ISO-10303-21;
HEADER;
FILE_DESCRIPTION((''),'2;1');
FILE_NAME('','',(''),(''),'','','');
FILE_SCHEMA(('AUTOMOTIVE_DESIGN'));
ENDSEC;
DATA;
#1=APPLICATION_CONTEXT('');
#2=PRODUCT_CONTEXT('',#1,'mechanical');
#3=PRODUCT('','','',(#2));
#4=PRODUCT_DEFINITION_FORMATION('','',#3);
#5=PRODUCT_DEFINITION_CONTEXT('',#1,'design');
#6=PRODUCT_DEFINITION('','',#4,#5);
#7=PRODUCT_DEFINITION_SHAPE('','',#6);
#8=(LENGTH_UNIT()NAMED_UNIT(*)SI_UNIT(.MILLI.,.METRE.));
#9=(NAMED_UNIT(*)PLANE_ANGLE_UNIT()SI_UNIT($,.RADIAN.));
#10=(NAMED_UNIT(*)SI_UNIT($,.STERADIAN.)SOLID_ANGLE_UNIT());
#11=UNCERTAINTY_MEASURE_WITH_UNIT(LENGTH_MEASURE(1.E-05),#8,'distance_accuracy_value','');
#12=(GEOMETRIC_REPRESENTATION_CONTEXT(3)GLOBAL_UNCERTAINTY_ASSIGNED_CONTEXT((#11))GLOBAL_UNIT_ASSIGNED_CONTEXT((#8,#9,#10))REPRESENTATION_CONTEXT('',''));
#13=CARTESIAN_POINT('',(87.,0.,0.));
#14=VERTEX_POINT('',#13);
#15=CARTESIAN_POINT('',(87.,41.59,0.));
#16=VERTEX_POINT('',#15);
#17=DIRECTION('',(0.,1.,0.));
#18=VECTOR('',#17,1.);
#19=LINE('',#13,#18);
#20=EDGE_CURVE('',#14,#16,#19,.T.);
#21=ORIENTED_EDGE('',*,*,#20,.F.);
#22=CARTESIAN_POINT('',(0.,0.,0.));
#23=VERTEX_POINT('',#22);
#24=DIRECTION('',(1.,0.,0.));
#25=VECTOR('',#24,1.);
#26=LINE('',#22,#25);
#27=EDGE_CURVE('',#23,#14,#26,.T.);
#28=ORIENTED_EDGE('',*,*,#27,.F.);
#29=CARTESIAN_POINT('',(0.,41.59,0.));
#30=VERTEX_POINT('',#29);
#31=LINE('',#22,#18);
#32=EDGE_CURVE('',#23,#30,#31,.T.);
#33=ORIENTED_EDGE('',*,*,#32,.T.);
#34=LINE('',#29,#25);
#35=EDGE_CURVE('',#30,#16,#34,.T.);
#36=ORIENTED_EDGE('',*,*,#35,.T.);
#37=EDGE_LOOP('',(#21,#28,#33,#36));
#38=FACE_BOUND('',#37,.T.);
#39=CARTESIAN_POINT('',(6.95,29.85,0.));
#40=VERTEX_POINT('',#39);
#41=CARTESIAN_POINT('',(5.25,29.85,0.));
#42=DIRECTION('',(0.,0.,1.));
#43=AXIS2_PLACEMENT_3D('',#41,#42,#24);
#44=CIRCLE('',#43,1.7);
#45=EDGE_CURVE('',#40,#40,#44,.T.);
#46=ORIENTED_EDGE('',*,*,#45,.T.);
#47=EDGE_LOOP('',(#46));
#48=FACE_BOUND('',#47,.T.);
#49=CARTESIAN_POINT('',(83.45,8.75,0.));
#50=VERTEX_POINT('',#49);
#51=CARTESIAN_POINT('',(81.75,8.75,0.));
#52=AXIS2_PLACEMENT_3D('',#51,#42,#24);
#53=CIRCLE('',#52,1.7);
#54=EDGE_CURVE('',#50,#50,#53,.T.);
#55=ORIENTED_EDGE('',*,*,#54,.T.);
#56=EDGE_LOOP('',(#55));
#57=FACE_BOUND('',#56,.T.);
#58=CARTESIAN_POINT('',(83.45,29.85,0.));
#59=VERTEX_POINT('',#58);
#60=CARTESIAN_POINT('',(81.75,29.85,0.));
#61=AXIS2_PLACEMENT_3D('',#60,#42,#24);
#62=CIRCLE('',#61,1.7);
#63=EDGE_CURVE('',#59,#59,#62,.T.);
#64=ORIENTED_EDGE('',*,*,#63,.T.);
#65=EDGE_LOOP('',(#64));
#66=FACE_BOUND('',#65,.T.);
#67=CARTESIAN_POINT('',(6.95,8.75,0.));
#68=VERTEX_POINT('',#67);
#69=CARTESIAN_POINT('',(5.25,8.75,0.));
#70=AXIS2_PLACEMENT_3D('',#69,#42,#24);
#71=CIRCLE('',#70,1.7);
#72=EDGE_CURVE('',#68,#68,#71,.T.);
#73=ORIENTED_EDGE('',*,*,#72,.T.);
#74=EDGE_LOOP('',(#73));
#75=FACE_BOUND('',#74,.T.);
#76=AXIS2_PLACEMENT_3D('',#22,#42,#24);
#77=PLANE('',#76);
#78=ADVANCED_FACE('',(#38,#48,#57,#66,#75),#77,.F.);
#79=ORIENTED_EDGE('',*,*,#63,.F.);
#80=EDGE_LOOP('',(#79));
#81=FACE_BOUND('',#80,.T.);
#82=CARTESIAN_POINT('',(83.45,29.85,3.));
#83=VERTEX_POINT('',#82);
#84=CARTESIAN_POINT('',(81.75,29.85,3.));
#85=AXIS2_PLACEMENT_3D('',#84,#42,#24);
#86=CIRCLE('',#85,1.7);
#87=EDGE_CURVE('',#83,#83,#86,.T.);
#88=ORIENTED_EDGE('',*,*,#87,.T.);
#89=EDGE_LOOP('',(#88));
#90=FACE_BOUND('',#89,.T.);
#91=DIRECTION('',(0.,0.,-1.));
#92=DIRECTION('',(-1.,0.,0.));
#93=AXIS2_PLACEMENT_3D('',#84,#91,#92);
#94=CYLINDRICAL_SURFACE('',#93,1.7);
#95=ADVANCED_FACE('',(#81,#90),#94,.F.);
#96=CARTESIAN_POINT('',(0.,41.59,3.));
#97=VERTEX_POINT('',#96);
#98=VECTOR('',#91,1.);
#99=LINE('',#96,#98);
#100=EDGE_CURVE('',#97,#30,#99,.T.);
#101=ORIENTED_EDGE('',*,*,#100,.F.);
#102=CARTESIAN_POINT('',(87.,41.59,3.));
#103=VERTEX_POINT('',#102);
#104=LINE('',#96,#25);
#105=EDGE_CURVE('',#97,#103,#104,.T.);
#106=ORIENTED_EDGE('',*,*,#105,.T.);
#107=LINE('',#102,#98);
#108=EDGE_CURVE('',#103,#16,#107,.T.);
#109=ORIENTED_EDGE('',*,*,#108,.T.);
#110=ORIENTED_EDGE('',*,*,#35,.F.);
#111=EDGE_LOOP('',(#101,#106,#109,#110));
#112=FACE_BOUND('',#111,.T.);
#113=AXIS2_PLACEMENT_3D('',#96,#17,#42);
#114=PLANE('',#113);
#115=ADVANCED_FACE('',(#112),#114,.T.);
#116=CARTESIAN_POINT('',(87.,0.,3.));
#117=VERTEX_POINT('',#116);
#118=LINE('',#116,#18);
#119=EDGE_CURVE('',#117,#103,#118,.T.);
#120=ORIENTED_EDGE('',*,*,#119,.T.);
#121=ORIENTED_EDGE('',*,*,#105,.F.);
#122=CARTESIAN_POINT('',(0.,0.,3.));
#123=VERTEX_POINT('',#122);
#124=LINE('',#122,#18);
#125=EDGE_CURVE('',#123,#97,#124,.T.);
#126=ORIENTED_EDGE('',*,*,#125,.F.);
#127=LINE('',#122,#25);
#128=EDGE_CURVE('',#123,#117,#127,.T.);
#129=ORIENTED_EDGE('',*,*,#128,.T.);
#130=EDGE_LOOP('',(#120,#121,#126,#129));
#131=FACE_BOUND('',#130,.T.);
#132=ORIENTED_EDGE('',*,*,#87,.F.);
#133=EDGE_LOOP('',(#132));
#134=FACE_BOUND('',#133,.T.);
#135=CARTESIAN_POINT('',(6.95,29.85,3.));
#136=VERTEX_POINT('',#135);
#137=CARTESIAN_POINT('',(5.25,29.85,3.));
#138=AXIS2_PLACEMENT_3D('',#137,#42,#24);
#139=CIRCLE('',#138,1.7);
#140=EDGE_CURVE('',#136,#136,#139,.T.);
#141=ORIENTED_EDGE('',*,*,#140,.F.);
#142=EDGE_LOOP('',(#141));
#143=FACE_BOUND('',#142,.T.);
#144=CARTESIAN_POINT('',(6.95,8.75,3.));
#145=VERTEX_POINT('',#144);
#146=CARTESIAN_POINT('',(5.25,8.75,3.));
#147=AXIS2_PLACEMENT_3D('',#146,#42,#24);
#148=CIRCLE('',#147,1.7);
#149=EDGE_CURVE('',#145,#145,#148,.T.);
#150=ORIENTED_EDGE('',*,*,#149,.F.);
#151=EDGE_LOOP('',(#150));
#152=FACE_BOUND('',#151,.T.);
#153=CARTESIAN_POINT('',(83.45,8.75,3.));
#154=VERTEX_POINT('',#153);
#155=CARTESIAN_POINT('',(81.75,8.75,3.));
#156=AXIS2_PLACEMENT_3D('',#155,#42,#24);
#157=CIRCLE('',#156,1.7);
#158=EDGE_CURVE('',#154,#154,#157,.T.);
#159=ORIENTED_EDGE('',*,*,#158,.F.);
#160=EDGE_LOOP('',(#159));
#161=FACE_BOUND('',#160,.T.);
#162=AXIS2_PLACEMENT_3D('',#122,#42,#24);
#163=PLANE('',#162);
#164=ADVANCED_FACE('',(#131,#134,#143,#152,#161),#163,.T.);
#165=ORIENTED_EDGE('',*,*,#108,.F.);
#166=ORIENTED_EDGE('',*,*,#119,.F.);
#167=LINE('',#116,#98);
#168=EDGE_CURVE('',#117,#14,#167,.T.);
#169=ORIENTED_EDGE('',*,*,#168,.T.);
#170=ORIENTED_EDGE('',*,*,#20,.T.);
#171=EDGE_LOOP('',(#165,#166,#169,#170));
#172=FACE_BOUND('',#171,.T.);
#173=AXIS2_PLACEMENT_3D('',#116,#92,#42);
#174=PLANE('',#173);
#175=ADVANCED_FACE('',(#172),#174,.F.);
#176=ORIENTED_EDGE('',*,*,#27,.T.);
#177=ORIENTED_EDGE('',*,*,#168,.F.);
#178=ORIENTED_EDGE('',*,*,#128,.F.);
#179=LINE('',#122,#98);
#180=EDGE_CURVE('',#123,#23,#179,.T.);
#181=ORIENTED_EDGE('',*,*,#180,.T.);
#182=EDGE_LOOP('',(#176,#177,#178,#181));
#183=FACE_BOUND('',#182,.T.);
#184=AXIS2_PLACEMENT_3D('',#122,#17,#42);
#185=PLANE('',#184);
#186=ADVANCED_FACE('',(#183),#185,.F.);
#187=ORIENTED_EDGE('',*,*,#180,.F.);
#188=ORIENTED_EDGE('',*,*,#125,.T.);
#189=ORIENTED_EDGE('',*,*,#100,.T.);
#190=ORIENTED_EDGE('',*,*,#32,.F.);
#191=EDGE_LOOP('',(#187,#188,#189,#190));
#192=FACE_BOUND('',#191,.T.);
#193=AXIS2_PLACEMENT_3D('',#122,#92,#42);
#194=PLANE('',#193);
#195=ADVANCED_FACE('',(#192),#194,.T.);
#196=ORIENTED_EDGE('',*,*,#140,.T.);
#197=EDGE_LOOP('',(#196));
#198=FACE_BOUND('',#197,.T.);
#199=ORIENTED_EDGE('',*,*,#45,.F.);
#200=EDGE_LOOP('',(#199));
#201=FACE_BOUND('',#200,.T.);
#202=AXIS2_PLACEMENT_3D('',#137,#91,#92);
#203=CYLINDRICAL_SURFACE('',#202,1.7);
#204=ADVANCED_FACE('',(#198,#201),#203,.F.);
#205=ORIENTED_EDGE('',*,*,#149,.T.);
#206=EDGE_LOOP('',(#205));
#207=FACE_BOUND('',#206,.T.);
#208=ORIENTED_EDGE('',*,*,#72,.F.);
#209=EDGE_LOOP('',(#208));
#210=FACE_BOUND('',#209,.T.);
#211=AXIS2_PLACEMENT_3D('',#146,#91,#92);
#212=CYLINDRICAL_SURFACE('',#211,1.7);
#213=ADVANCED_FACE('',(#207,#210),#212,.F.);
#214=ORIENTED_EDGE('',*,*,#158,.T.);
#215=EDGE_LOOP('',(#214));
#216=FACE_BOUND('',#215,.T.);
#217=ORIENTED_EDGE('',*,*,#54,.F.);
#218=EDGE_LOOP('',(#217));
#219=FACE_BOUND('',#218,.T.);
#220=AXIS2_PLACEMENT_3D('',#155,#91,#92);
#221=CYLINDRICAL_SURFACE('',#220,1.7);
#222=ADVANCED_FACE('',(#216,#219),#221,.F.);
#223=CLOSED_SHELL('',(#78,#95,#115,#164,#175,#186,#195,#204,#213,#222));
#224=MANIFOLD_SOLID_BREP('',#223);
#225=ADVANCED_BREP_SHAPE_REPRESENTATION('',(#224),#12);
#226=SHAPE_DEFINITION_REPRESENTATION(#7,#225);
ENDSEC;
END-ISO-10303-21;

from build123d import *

# Parameters (mm, degrees)
SKETCH1_W           = 87
SKETCH1_H           = 41.59
SKETCH1_R           = 1.7
BOSS_EXTRUDE1_DEPTH = 3


with BuildPart() as part:
    # Sketch1 → Boss-Extrude1 (new body)
    with BuildSketch(Plane.XY):
        with Locations((43.5, 20.795)):
            Rectangle(SKETCH1_W, SKETCH1_H)
        with Locations((81.75, 29.85)):
            Circle(SKETCH1_R, mode=Mode.SUBTRACT)
        with Locations((81.75, 8.75)):
            Circle(SKETCH1_R, mode=Mode.SUBTRACT)
        with Locations((5.25, 8.75)):
            Circle(SKETCH1_R, mode=Mode.SUBTRACT)
        with Locations((5.25, 29.85)):
            Circle(SKETCH1_R, mode=Mode.SUBTRACT)
    extrude(amount=BOSS_EXTRUDE1_DEPTH)


solid = part.part
